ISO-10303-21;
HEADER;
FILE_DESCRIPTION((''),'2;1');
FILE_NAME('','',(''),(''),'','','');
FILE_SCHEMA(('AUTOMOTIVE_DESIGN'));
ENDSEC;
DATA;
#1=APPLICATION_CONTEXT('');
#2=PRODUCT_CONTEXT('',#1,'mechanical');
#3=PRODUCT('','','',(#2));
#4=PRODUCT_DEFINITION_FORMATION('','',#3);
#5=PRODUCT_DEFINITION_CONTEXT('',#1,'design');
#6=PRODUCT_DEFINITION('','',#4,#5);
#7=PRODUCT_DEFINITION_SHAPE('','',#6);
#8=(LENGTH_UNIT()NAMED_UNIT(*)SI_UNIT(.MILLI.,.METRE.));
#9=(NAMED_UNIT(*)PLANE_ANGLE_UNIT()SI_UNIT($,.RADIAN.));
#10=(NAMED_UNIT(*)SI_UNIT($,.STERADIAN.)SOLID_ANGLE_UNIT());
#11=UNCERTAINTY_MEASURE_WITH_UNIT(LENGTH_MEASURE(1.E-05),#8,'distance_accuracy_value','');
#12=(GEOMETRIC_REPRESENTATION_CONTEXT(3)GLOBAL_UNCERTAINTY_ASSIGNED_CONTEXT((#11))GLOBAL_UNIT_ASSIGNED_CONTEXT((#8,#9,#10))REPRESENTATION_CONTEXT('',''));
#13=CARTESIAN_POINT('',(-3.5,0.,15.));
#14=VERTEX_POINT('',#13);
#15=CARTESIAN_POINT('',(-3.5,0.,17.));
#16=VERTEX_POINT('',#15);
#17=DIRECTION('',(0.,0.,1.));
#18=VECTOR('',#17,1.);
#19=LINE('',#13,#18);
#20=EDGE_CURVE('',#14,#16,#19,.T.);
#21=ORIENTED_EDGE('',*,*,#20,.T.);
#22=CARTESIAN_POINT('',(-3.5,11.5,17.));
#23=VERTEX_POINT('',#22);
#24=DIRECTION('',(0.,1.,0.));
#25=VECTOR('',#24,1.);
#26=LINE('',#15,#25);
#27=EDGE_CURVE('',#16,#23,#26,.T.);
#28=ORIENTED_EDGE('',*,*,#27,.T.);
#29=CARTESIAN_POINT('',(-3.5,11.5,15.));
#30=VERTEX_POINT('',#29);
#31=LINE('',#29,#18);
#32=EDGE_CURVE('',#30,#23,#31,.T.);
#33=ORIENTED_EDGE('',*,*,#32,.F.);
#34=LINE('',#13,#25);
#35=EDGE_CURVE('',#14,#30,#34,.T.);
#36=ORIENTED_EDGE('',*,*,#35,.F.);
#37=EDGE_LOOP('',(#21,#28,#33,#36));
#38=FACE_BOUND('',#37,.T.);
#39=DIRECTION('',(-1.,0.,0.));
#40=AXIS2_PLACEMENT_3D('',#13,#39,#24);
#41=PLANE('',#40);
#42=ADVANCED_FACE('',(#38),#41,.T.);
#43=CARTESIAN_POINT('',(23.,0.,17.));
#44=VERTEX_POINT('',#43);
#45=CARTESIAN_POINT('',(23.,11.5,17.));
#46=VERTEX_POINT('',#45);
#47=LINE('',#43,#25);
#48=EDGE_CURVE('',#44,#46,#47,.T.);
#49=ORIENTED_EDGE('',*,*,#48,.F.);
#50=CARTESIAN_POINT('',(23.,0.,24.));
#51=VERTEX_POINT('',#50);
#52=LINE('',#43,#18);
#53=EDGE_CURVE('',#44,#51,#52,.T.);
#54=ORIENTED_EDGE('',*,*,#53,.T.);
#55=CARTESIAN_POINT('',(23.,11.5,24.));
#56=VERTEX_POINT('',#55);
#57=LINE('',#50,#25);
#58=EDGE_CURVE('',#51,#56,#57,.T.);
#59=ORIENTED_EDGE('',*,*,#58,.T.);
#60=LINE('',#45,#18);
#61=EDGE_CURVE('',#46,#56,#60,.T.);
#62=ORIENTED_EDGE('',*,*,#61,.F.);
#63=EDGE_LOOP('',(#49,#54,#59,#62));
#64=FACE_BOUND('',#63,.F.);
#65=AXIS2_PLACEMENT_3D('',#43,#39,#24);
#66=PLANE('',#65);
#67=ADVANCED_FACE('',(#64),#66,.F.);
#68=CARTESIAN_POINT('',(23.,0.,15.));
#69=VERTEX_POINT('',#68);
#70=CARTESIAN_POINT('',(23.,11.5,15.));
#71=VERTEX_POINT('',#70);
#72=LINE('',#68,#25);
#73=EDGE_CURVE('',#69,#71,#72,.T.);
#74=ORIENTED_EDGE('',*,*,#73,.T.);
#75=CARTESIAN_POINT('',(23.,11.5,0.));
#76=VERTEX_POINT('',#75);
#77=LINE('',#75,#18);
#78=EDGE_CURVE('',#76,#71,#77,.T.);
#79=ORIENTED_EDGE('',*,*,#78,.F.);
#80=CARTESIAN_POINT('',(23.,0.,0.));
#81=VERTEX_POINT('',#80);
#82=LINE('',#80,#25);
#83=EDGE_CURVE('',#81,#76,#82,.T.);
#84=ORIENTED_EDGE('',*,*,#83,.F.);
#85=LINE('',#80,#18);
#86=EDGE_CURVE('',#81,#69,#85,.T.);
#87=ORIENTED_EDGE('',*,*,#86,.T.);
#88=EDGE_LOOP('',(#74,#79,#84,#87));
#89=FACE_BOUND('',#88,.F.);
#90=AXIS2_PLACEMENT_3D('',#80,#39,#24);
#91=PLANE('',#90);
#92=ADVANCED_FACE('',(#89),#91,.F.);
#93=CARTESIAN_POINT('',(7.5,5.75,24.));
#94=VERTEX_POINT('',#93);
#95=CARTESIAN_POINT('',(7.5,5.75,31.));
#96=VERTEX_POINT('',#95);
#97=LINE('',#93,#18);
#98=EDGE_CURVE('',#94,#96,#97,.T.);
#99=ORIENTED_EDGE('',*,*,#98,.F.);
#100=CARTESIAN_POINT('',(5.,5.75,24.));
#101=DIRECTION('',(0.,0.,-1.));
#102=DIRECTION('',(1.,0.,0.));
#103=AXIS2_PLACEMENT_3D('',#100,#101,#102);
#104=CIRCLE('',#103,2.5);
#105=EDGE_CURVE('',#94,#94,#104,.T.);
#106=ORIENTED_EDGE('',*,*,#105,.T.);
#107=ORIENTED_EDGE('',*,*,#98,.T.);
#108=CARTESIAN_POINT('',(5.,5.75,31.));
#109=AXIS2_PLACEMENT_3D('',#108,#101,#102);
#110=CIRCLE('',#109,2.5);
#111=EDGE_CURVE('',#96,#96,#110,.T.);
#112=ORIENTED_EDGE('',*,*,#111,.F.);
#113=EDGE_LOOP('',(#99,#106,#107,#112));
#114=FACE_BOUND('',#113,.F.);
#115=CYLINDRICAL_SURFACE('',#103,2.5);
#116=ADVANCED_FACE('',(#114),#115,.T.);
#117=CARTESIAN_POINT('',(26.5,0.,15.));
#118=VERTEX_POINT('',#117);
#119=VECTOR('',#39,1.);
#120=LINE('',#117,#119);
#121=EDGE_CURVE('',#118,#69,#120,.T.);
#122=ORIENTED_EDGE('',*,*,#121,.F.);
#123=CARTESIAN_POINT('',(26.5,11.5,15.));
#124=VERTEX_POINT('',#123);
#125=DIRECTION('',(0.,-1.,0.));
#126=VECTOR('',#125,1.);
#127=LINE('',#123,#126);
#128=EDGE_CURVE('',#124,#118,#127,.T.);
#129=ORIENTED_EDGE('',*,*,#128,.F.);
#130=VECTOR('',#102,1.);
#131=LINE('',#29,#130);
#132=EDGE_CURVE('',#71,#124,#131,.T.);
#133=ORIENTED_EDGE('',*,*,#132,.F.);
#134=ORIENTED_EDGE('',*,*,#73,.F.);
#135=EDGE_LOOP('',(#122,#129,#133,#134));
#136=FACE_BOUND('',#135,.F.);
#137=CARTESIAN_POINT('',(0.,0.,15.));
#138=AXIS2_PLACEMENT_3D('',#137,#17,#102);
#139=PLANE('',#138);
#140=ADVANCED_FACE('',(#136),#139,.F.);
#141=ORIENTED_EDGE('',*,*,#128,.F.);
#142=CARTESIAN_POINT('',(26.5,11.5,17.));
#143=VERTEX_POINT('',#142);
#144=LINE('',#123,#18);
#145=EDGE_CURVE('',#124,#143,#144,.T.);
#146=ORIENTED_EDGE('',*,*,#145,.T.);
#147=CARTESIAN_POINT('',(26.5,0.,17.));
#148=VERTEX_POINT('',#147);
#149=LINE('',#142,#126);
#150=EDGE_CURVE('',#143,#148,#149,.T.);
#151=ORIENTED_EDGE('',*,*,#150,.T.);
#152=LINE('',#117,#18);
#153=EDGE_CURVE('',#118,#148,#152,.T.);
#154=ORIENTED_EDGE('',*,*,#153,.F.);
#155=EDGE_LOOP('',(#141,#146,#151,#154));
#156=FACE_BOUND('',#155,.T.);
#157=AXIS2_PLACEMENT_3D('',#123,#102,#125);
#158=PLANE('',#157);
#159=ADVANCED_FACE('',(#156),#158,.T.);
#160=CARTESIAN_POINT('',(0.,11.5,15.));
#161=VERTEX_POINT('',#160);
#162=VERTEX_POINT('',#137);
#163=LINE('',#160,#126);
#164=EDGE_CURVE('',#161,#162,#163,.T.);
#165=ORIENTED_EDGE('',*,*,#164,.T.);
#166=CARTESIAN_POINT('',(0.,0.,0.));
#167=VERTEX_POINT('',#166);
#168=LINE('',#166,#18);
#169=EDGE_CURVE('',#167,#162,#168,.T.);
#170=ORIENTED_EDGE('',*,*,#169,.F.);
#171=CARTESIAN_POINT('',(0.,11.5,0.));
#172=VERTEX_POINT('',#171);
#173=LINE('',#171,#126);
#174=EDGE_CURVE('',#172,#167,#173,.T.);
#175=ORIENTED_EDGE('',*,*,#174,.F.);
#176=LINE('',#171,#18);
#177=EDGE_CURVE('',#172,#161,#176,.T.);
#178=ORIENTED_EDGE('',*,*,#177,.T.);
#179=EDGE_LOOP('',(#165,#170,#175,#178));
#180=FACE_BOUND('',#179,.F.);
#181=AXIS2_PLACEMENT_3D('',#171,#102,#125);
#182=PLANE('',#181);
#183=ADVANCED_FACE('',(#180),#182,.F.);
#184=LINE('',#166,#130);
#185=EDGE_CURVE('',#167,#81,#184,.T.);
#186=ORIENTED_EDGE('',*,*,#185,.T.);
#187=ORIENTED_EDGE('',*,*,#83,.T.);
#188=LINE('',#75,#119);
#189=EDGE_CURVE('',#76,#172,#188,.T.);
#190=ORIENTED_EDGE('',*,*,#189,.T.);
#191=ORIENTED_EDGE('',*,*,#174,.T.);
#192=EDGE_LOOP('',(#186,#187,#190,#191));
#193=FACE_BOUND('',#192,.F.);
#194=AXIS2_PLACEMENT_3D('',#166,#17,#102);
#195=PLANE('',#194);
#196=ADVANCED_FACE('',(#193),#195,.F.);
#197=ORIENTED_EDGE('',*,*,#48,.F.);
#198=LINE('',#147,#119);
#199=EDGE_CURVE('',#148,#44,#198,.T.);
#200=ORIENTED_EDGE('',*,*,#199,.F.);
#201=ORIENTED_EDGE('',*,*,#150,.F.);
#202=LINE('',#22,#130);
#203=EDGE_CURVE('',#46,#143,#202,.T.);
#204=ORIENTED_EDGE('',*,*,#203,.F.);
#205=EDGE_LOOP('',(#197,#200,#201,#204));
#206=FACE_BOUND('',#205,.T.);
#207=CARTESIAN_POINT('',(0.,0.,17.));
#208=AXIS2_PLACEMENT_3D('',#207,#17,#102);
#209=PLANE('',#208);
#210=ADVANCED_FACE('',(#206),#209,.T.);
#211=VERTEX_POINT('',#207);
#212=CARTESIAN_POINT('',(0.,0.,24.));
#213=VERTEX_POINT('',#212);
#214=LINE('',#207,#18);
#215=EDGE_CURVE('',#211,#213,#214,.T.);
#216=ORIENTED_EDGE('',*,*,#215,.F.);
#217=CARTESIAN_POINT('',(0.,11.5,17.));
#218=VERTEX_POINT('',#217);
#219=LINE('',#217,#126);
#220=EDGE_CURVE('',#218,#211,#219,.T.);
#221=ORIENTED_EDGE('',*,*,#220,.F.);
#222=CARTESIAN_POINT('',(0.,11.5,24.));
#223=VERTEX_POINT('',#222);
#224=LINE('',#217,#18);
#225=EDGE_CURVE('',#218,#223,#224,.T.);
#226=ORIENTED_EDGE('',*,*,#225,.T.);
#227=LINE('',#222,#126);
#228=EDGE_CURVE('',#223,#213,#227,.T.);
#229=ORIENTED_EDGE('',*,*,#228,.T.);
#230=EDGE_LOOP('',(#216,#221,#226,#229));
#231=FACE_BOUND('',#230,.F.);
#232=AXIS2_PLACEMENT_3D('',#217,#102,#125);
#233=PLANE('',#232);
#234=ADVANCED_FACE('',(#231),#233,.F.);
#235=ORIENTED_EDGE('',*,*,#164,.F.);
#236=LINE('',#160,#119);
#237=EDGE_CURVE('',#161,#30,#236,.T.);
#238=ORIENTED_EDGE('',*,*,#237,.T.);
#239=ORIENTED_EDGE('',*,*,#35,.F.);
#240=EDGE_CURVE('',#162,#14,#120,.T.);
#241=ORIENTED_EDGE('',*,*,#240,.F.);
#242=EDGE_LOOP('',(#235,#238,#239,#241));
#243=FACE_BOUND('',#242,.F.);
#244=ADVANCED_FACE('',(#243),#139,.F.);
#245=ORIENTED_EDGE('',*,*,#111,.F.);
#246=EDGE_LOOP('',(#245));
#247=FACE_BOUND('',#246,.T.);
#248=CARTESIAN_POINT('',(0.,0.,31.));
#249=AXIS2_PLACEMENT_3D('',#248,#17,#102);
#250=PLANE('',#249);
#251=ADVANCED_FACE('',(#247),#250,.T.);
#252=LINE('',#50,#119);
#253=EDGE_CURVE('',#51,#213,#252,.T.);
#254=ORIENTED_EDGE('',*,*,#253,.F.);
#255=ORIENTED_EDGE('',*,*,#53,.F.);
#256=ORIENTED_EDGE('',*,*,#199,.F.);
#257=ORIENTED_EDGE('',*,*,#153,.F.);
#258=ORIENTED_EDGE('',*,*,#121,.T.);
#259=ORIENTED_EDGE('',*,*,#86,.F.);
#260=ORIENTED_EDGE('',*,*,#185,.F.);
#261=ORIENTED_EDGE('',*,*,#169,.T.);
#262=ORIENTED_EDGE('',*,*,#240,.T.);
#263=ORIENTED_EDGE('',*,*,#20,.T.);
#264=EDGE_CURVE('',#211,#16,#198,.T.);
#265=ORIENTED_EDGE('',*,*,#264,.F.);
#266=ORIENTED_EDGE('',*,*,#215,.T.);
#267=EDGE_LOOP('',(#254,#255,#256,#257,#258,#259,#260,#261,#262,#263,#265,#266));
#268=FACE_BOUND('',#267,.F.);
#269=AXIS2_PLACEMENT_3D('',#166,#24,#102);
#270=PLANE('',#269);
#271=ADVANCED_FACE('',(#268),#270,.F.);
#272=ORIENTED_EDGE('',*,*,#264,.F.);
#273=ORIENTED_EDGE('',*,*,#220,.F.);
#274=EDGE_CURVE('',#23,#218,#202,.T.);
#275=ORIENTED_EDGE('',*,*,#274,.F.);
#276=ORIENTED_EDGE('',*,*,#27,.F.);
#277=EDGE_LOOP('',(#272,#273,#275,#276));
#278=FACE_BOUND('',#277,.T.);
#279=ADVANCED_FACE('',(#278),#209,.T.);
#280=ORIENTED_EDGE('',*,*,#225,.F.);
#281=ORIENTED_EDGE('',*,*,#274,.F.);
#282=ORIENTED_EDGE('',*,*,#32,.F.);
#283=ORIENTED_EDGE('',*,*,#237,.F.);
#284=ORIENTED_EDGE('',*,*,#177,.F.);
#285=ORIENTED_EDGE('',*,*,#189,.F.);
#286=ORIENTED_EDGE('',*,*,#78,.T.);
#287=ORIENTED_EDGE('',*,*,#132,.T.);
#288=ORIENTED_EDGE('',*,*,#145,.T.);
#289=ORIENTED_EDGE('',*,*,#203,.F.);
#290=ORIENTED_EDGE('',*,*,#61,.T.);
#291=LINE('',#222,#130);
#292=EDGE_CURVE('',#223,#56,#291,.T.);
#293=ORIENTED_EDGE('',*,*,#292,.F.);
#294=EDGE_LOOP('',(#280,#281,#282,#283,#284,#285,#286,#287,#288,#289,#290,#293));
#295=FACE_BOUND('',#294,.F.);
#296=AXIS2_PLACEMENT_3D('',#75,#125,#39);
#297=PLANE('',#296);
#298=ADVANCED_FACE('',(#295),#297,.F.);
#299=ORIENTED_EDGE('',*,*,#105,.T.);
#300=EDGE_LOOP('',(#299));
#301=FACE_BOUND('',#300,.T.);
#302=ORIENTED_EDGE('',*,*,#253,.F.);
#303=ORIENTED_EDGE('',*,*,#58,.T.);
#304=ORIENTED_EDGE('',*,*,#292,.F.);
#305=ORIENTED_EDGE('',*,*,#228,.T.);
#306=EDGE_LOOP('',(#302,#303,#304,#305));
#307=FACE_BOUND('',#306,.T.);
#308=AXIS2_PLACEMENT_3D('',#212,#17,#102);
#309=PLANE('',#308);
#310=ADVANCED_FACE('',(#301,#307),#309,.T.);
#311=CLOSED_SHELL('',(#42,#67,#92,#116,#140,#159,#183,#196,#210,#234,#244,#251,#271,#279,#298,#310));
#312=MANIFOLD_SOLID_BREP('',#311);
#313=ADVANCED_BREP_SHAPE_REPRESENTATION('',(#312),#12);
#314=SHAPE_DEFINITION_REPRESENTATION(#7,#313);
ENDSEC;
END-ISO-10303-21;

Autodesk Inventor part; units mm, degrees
ref_plane "YZ Plane" through (0, 0, 0) normal (1, 0, 0) x (0, 1, 0)
ref_plane "XZ Plane" through (0, 0, 0) normal (0, 1, 0) x (-1, 0, 0)
ref_plane "XY Plane" through (0, 0, 0) normal (0, 0, 1) x (1, 0, 0)
sketch "Sketch1" plane through (0, 0, 0) normal (0, 0, 1) x (1, 0, 0)
  line L0 (0, 0) -> (23, 0)
  line L1 (23, 0) -> (23, 11.5)
  line L2 (23, 11.5) -> (0, 11.5)
  line L3 (0, 11.5) -> (0, 0)
  dimension "d0" = 23
  dimension "d1" = 11.5
extrude "Extrusion1" add sketch "Sketch1" along normal blind 15
sketch "Sketch2" plane through (0, 0, 15) normal (0, 0, 1) x (1, 0, 0)
  line L0 (23, 11.5) -> (0, 11.5) projected
  line L1 (0, 11.5) -> (-3.5, 11.5)
  line L2 (-3.5, 11.5) -> (26.5, 11.5)
  line L3 (26.5, 11.5) -> (26.5, 0)
  line L4 (26.5, 0) -> (-3.5, 0)
  line L5 (-3.5, 0) -> (-3.5, 11.5)
  point P0 (0, 0)
  dimension "d4" = 3.5
  dimension "d5" = 30
extrude "Extrusion2" add sketch "Sketch2" along normal blind 2
sketch "Sketch3" plane through (0, 0, 17) normal (0, 0, 1) x (1, 0, 0)
  line L0 (0, 11.5) -> (0, 0) projected
  line L1 (23, 0) -> (23, 11.5) projected
  line L2 (0, 11.5) -> (23, 11.5)
  line L3 (23, 11.5) -> (23, 0)
  line L4 (23, 0) -> (0, 0)
  line L5 (0, 0) -> (0, 11.5)
extrude "Extrusion3" add sketch "Sketch3" along normal blind 7
sketch "Sketch4" plane through (0, 0, 24) normal (0, 0, 1) x (1, 0, 0)
  line L0 (0, 11.5) -> (0, 0) projected
  line L1 (0, 5.75) -> (5, 5.75)
  circle A0 centre (5, 5.75) radius 2.5
  dimension "d10" = 5
  dimension "d11" = 5
extrude "Extrusion4" add sketch "Sketch4" along normal blind 7
properties part number "AilServoRep"
